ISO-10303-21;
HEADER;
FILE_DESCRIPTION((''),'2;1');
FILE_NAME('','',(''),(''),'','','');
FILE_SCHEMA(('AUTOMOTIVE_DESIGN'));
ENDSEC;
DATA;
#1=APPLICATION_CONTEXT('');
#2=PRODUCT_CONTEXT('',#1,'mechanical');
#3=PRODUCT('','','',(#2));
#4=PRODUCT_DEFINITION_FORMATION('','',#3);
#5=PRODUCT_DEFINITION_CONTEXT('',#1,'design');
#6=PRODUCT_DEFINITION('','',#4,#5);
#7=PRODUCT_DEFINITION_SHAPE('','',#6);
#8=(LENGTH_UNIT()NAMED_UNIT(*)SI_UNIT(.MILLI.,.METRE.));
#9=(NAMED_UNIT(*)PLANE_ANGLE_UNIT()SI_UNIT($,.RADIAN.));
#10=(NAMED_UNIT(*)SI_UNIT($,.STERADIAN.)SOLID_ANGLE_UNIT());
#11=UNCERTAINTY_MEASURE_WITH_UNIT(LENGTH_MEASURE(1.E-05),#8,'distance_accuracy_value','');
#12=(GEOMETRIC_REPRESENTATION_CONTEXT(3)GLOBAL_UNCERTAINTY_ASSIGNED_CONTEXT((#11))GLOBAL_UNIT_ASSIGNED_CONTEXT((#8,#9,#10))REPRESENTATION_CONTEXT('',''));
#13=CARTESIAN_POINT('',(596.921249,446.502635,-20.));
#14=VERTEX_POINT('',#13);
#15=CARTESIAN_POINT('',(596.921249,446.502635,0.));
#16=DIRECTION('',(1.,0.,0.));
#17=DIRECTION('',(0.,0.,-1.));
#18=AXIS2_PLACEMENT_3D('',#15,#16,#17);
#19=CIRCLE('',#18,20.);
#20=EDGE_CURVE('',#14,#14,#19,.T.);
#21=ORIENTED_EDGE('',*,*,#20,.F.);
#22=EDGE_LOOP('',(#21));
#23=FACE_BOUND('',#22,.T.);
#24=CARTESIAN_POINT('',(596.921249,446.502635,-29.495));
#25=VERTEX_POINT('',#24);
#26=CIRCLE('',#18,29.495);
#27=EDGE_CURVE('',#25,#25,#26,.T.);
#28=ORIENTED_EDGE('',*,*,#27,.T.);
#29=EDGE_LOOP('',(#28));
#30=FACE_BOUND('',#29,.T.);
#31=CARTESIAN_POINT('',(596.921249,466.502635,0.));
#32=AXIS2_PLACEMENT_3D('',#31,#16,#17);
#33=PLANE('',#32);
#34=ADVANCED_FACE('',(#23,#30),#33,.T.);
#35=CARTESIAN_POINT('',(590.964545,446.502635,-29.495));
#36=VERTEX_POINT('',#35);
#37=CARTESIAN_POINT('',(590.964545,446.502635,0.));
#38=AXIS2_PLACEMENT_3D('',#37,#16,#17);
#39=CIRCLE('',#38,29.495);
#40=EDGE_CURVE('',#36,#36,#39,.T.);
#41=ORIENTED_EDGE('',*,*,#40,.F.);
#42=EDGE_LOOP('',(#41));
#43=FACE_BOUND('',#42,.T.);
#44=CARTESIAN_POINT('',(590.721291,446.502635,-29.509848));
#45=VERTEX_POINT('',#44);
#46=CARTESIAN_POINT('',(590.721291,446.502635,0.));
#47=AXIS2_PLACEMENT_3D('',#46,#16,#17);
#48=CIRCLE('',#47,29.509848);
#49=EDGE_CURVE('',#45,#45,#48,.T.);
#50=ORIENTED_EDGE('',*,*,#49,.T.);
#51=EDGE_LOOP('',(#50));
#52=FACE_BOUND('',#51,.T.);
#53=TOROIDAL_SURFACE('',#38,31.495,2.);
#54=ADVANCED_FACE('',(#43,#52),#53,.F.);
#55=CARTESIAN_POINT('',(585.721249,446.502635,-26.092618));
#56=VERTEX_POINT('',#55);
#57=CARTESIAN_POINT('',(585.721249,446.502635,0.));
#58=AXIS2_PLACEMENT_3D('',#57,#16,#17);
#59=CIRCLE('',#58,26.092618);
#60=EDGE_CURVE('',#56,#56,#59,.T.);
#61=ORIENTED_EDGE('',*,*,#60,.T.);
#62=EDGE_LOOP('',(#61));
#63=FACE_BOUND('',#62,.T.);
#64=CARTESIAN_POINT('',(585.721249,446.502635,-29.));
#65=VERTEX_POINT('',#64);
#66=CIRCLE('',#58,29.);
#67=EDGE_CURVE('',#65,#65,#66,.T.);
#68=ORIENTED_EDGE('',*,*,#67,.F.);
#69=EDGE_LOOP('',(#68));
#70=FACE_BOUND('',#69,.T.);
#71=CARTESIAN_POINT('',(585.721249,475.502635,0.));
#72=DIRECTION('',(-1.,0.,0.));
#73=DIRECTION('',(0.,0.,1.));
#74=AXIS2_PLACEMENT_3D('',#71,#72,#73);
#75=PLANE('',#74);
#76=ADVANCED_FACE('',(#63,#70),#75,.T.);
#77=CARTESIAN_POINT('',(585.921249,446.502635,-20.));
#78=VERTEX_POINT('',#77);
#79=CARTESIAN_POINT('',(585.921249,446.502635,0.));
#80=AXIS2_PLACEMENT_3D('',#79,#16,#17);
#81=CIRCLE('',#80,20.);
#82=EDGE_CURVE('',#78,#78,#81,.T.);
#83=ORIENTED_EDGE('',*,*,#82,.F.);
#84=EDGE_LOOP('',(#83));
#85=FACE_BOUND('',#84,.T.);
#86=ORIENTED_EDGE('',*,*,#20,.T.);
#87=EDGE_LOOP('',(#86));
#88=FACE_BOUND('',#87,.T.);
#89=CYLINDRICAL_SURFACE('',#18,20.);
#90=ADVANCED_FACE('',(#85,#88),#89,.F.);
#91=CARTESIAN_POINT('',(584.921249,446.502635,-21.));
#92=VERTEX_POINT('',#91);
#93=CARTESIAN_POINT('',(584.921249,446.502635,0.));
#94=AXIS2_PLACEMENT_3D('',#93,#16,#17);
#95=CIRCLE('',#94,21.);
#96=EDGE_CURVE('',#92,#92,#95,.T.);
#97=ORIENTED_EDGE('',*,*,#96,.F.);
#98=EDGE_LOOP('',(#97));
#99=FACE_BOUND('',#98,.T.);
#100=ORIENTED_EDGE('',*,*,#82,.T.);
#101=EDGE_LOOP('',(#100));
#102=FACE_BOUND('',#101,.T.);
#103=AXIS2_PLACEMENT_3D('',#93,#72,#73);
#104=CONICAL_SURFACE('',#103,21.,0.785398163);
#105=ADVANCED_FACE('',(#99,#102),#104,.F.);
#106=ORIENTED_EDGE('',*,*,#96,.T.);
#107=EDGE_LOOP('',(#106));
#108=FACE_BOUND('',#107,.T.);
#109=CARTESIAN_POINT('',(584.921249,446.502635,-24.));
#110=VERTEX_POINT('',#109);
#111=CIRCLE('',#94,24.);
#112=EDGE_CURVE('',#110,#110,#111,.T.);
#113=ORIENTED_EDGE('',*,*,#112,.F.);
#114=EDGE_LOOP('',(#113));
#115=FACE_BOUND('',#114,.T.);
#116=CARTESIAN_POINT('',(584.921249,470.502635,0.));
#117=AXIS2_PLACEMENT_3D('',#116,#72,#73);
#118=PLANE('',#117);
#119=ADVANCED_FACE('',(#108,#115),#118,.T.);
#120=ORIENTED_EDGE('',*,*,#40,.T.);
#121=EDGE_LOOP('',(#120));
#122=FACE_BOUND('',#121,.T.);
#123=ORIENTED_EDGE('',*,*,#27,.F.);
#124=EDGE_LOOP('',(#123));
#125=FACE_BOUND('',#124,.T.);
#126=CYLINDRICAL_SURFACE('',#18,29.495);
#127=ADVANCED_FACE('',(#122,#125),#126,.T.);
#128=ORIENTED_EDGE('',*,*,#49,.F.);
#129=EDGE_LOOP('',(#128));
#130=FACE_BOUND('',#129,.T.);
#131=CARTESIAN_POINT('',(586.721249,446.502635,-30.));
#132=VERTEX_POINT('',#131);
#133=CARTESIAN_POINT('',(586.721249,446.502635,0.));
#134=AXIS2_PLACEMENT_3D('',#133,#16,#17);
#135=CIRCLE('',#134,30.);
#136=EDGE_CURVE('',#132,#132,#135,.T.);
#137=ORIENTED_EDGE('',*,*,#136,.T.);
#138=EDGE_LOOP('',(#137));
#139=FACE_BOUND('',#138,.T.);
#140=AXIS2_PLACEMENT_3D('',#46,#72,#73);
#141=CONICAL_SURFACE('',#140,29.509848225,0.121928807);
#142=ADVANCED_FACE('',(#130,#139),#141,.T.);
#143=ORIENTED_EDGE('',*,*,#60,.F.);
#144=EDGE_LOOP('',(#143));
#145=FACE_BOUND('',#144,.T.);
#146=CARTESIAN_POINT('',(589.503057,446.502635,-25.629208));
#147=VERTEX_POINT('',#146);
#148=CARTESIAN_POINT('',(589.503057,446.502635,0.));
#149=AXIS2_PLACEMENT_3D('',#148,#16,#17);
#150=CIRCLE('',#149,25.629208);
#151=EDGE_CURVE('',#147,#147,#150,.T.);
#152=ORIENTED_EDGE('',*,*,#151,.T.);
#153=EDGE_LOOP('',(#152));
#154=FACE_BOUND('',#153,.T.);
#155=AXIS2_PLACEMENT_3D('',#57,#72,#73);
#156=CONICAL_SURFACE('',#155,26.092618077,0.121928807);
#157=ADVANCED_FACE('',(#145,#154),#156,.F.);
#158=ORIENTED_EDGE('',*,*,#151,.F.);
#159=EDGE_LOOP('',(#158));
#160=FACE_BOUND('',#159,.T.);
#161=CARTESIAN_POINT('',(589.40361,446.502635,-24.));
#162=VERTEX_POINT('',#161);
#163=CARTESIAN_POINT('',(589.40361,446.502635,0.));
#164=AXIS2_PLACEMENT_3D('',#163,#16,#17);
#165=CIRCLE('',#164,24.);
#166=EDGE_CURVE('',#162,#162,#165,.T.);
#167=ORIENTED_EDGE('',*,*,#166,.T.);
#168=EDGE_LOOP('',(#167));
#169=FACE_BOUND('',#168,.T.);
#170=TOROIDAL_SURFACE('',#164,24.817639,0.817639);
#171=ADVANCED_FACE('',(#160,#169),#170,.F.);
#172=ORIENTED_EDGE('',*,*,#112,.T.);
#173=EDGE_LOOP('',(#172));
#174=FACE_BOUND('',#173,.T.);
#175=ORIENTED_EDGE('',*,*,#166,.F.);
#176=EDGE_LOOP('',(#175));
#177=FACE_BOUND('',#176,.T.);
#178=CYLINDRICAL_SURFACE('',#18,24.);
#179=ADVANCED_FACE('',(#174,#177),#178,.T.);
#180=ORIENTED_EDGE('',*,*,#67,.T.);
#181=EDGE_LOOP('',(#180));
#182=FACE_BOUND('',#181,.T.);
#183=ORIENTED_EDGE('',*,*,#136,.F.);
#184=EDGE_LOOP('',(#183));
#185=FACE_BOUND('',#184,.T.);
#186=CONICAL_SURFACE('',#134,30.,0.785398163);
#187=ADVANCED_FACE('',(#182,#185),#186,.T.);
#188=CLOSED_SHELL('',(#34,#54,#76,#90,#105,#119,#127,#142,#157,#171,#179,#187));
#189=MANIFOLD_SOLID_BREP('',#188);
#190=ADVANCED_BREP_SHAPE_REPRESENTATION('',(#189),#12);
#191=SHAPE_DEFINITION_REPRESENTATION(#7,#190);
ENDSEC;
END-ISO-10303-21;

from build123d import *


with BuildPart() as part:
    # Sketch1 → Revolve1 (revolve)
    with BuildSketch(Plane.XY):
        with BuildLine():
            Line((585.92124879, 466.502634686), (596.92124879, 466.502634686))
            Line((596.92124879, 466.502634686), (596.92124879, 475.997634686))
            Line((596.92124879, 475.997634686), (590.964545007, 475.997634686))
            add(Edge.make_bspline(
                [(590.721291168, 476.012482911), (590.802023582, 476.002590232), (590.883208743, 475.997634686), (590.964545007, 475.997634686)],
                knots=[0, 0, 0, 0, 1, 1, 1, 1], degree=3, weights=[1, 0.998761497, 0.998761497, 1]))
            Line((590.721291168, 476.012482911), (586.72124879, 476.502634686))
            Line((586.72124879, 476.502634686), (585.72124879, 475.502634686))
            Line((585.72124879, 475.502634686), (585.72124879, 472.595252763))
            Line((585.72124879, 472.595252763), (589.50305658, 472.131842722))
            add(Edge.make_bspline(
                [(589.50305658, 472.131842722), (590.947204768, 471.954881648), (590.858559549, 470.502634686), (589.403609649, 470.502634686)],
                knots=[0, 0, 0, 0, 1, 1, 1, 1], degree=3, weights=[1, 0.373951098, 0.373951098, 1]))
            Line((589.403609649, 470.502634686), (584.92124879, 470.502634686))
            Line((584.92124879, 470.502634686), (584.92124879, 467.502634686))
            Line((584.92124879, 467.502634686), (585.92124879, 466.502634686))
        make_face()
    revolve(axis=Axis((596.92124879, 446.502634686, 0), (-1, 0, 0)))


solid = part.part
